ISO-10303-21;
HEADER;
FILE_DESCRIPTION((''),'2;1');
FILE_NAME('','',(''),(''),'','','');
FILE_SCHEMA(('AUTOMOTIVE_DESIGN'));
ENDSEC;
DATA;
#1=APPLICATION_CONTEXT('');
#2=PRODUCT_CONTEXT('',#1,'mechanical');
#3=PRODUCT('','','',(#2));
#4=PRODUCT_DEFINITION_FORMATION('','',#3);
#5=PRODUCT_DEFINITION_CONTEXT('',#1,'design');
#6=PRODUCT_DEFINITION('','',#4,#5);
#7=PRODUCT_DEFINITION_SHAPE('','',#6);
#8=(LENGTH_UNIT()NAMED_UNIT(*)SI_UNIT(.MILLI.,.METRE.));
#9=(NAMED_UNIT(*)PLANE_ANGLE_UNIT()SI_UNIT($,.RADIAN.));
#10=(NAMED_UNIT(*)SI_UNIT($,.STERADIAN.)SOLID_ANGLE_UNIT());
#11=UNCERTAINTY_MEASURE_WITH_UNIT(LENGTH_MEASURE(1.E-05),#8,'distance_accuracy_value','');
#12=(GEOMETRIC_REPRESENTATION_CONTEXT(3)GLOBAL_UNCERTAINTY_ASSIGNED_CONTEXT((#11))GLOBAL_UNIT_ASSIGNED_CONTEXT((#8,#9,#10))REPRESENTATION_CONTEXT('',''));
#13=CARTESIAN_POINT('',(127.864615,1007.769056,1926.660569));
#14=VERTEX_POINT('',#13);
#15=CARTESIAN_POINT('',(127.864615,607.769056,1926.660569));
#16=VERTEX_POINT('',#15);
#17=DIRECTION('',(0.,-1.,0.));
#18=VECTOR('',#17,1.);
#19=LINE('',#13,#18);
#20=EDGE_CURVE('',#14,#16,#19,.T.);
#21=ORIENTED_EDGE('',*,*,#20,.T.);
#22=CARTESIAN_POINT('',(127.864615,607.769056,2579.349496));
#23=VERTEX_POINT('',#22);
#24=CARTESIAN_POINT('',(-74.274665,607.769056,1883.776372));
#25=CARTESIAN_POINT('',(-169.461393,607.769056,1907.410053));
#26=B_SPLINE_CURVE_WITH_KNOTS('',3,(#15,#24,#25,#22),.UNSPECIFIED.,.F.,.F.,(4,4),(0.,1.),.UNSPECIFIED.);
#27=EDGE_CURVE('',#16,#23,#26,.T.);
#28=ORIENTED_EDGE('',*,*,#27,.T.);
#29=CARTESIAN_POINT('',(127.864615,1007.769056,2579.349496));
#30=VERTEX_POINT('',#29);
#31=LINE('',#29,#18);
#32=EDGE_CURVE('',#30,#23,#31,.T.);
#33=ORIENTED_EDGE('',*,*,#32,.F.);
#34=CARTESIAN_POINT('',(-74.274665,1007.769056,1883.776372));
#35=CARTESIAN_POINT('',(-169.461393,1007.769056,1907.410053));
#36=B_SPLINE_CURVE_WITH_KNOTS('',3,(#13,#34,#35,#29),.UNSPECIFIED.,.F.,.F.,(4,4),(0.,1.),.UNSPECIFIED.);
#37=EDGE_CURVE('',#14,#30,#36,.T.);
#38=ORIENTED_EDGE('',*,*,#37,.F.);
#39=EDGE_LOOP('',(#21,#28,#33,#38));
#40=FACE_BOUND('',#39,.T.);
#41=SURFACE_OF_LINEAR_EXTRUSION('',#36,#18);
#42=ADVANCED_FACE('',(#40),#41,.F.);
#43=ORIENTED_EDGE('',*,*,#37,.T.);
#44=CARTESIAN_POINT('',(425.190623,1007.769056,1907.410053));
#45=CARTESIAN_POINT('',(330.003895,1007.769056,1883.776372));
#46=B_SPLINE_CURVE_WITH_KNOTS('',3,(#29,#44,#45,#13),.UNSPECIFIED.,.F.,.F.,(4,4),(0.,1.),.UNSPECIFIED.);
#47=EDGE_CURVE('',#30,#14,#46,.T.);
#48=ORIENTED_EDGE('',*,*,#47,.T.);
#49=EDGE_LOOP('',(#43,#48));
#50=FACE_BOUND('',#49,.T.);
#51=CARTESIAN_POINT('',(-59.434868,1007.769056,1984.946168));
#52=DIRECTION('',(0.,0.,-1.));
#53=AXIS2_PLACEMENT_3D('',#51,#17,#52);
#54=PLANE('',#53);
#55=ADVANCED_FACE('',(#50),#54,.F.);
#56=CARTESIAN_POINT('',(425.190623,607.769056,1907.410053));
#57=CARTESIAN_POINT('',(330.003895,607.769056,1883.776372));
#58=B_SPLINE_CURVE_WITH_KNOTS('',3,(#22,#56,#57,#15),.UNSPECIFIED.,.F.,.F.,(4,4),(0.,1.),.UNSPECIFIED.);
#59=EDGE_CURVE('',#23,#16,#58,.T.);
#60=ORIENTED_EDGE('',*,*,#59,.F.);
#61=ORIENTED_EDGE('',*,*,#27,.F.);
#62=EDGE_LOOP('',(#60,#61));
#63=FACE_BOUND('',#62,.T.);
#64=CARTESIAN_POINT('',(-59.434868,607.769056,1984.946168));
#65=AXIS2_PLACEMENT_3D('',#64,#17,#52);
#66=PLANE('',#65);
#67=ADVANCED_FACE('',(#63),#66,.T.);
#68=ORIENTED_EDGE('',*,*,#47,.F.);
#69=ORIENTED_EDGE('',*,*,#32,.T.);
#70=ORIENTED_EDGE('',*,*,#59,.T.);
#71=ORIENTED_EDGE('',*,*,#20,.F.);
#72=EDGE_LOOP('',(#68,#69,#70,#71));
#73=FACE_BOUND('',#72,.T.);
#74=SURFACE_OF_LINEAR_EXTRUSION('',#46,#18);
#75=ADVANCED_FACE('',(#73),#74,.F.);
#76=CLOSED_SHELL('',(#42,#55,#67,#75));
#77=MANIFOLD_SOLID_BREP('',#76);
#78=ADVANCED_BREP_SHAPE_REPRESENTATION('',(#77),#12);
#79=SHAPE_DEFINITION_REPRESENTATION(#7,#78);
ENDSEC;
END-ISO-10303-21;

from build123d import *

# Parameters (mm, degrees)
BOSS_EXTRUDE1_DEPTH = 400


with BuildPart() as part:
    # Sketch3 → Boss-Extrude1 (new body)
    with BuildSketch(Plane(origin=(0, 607.769055783, 0), x_dir=(1, 0, 0), z_dir=(0, 1, 0))):
        with BuildLine():
            add(Edge.make_bspline(
                [(127.864614934, -1926.660568763), (330.003894507, -1883.776372425), (425.190623096, -1907.410053273), (127.864614934, -2579.349496173)],
                knots=[0, 0, 0, 0, 1, 1, 1, 1], degree=3))
            add(Edge.make_bspline(
                [(127.864614934, -1926.660568763), (-74.27466464, -1883.776372425), (-169.461393229, -1907.410053273), (127.864614934, -2579.349496173)],
                knots=[0, 0, 0, 0, 1, 1, 1, 1], degree=3))
        make_face()
    extrude(amount=BOSS_EXTRUDE1_DEPTH)


solid = part.part
